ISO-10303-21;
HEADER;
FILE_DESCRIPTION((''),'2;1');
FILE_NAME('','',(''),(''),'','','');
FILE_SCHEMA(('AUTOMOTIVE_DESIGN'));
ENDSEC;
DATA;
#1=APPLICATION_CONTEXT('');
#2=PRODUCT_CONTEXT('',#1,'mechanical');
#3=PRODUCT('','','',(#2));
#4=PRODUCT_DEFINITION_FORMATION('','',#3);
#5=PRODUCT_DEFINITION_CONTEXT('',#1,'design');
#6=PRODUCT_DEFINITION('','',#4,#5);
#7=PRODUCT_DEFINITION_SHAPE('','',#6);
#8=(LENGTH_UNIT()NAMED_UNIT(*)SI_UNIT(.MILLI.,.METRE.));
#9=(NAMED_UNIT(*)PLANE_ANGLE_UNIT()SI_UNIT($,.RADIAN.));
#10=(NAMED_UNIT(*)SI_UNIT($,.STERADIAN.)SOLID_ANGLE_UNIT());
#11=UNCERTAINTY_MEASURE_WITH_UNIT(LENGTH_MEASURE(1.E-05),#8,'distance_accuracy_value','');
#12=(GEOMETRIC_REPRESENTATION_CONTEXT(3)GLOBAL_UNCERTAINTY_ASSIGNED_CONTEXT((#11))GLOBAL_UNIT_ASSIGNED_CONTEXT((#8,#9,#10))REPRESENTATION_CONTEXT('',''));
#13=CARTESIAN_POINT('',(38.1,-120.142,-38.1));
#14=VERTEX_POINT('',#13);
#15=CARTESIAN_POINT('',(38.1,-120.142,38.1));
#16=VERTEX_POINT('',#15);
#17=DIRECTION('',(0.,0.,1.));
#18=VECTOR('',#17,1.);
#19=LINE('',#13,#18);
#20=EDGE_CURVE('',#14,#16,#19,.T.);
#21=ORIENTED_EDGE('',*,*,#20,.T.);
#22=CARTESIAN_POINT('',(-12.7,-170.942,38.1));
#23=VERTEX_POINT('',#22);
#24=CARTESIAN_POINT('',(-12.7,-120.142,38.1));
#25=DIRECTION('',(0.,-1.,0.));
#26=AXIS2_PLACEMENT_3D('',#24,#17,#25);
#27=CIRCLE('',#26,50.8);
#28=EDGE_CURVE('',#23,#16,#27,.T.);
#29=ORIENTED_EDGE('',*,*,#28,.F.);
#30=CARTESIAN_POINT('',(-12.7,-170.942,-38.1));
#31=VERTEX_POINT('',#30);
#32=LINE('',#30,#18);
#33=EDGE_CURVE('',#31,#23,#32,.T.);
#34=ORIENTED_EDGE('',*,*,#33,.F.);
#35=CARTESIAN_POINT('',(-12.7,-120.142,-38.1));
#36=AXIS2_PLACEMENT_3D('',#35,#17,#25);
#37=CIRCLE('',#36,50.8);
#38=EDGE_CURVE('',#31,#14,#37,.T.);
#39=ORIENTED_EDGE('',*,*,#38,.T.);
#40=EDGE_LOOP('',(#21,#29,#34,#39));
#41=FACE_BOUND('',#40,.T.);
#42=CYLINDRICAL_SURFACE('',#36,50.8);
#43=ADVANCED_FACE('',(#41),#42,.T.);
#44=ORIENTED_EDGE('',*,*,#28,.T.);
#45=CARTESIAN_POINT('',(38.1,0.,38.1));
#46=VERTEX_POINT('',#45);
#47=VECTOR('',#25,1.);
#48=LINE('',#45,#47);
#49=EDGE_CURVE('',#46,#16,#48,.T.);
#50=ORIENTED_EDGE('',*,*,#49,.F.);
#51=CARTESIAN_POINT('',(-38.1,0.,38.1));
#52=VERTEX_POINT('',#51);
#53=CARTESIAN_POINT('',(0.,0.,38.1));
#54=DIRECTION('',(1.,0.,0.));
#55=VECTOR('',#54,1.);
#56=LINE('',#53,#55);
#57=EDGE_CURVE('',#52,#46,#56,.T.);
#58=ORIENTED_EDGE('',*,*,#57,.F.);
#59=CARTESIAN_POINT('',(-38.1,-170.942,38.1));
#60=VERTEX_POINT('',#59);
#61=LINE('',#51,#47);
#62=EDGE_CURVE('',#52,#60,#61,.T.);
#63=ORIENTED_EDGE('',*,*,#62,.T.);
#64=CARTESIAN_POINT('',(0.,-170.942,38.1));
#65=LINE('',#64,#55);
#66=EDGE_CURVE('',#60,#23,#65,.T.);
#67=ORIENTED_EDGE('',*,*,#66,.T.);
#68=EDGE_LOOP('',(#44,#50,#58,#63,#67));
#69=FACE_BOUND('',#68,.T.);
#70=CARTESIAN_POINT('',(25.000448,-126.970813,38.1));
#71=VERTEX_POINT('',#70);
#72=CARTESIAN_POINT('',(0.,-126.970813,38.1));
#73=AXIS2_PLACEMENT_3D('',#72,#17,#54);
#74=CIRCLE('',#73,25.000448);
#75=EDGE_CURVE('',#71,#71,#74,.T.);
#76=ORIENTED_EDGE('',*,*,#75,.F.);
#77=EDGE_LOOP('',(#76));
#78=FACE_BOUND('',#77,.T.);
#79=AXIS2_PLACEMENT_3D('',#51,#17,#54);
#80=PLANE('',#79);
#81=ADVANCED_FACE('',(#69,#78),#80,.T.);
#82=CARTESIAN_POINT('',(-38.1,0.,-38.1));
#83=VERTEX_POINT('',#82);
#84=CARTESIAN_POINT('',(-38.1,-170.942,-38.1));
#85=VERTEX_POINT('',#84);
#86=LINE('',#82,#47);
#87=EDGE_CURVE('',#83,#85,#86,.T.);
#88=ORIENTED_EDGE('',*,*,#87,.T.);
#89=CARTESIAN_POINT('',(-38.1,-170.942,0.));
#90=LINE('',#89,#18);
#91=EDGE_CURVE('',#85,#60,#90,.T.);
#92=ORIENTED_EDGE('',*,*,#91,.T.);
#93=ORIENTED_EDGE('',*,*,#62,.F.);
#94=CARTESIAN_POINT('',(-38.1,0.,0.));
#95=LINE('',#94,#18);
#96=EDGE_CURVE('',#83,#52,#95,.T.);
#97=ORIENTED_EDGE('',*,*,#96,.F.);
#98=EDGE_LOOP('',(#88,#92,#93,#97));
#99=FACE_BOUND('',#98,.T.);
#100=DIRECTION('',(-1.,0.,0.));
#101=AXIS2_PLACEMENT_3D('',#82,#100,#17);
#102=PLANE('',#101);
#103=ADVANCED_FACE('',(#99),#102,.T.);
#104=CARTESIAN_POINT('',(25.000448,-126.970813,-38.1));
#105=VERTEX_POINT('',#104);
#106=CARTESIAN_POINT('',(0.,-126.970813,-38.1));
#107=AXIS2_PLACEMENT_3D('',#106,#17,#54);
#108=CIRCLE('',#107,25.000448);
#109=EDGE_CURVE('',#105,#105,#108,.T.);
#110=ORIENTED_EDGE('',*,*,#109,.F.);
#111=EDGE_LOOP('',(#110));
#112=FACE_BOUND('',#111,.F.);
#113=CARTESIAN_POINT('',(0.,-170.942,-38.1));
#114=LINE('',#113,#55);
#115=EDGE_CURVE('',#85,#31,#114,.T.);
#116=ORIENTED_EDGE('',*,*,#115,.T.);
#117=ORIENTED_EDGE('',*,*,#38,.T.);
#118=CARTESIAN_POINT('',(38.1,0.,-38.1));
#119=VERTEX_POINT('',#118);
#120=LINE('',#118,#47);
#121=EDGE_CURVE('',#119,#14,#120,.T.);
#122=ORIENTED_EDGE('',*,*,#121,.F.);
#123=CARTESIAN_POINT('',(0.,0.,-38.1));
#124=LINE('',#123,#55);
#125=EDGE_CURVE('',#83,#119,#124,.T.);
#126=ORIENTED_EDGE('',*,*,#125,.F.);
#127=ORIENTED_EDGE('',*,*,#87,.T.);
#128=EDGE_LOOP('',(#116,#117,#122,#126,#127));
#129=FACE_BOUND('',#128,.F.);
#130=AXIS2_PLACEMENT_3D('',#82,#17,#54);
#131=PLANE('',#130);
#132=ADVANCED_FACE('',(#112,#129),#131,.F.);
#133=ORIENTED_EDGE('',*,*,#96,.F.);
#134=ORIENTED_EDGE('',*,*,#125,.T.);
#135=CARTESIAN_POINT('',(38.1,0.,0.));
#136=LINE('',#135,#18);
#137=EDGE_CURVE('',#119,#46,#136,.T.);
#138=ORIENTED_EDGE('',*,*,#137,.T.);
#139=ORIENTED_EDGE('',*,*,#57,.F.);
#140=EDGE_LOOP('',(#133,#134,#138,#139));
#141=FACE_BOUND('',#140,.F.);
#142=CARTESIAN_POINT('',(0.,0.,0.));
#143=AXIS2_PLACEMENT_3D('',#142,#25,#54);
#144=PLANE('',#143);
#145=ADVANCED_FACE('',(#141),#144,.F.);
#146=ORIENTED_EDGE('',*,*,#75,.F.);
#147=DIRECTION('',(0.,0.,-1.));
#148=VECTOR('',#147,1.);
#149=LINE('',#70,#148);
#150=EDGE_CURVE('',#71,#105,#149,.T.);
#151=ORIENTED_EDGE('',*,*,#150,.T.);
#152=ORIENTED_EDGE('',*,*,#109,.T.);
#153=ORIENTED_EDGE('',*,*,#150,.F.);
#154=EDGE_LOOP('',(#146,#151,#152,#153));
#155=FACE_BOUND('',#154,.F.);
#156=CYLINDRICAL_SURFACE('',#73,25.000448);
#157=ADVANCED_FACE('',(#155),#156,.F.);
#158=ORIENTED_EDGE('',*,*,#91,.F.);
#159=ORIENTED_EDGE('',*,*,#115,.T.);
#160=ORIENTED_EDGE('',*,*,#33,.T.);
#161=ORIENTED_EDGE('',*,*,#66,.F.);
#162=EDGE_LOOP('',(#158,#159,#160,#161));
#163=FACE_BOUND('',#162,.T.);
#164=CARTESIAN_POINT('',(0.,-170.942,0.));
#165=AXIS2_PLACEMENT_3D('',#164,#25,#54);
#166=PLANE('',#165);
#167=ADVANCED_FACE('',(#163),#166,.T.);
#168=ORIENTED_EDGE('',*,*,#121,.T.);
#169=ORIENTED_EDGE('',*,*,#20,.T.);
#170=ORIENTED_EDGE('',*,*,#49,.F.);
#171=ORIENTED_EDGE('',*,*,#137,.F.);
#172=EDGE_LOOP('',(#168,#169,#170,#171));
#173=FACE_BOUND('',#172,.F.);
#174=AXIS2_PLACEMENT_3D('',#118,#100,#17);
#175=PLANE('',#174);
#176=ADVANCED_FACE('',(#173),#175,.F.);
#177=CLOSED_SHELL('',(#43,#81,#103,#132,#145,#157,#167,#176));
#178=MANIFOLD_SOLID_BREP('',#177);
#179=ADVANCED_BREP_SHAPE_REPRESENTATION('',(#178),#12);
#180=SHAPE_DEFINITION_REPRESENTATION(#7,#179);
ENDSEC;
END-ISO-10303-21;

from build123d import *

# Parameters (mm, degrees)
F0_W     = 76.2
F0_H     = 76.2
F1_DEPTH = 170.942
F2_R     = 25.000448
F3_DEPTH = 76.201
F4_R     = 50.8


with BuildPart() as f1:
    # F0 (on Front) → F1 (new body)
    with BuildSketch(Plane.XZ):
        Rectangle(F0_W, F0_H)
    extrude(amount=F1_DEPTH)

    # F2 (on face) → F3 (cut, through all)
    with BuildSketch(Plane.XY.offset(38.1)):
        with Locations((0, -126.970813)):
            Circle(F2_R)
    extrude(amount=-F3_DEPTH, mode=Mode.SUBTRACT)

    # F4
    f4_edges = [f1.edges().sort_by_distance(p)[0] for p in [
        (38.1, -170.942, 0),
    ]]
    fillet(f4_edges, radius=F4_R)


solid = f1.part
